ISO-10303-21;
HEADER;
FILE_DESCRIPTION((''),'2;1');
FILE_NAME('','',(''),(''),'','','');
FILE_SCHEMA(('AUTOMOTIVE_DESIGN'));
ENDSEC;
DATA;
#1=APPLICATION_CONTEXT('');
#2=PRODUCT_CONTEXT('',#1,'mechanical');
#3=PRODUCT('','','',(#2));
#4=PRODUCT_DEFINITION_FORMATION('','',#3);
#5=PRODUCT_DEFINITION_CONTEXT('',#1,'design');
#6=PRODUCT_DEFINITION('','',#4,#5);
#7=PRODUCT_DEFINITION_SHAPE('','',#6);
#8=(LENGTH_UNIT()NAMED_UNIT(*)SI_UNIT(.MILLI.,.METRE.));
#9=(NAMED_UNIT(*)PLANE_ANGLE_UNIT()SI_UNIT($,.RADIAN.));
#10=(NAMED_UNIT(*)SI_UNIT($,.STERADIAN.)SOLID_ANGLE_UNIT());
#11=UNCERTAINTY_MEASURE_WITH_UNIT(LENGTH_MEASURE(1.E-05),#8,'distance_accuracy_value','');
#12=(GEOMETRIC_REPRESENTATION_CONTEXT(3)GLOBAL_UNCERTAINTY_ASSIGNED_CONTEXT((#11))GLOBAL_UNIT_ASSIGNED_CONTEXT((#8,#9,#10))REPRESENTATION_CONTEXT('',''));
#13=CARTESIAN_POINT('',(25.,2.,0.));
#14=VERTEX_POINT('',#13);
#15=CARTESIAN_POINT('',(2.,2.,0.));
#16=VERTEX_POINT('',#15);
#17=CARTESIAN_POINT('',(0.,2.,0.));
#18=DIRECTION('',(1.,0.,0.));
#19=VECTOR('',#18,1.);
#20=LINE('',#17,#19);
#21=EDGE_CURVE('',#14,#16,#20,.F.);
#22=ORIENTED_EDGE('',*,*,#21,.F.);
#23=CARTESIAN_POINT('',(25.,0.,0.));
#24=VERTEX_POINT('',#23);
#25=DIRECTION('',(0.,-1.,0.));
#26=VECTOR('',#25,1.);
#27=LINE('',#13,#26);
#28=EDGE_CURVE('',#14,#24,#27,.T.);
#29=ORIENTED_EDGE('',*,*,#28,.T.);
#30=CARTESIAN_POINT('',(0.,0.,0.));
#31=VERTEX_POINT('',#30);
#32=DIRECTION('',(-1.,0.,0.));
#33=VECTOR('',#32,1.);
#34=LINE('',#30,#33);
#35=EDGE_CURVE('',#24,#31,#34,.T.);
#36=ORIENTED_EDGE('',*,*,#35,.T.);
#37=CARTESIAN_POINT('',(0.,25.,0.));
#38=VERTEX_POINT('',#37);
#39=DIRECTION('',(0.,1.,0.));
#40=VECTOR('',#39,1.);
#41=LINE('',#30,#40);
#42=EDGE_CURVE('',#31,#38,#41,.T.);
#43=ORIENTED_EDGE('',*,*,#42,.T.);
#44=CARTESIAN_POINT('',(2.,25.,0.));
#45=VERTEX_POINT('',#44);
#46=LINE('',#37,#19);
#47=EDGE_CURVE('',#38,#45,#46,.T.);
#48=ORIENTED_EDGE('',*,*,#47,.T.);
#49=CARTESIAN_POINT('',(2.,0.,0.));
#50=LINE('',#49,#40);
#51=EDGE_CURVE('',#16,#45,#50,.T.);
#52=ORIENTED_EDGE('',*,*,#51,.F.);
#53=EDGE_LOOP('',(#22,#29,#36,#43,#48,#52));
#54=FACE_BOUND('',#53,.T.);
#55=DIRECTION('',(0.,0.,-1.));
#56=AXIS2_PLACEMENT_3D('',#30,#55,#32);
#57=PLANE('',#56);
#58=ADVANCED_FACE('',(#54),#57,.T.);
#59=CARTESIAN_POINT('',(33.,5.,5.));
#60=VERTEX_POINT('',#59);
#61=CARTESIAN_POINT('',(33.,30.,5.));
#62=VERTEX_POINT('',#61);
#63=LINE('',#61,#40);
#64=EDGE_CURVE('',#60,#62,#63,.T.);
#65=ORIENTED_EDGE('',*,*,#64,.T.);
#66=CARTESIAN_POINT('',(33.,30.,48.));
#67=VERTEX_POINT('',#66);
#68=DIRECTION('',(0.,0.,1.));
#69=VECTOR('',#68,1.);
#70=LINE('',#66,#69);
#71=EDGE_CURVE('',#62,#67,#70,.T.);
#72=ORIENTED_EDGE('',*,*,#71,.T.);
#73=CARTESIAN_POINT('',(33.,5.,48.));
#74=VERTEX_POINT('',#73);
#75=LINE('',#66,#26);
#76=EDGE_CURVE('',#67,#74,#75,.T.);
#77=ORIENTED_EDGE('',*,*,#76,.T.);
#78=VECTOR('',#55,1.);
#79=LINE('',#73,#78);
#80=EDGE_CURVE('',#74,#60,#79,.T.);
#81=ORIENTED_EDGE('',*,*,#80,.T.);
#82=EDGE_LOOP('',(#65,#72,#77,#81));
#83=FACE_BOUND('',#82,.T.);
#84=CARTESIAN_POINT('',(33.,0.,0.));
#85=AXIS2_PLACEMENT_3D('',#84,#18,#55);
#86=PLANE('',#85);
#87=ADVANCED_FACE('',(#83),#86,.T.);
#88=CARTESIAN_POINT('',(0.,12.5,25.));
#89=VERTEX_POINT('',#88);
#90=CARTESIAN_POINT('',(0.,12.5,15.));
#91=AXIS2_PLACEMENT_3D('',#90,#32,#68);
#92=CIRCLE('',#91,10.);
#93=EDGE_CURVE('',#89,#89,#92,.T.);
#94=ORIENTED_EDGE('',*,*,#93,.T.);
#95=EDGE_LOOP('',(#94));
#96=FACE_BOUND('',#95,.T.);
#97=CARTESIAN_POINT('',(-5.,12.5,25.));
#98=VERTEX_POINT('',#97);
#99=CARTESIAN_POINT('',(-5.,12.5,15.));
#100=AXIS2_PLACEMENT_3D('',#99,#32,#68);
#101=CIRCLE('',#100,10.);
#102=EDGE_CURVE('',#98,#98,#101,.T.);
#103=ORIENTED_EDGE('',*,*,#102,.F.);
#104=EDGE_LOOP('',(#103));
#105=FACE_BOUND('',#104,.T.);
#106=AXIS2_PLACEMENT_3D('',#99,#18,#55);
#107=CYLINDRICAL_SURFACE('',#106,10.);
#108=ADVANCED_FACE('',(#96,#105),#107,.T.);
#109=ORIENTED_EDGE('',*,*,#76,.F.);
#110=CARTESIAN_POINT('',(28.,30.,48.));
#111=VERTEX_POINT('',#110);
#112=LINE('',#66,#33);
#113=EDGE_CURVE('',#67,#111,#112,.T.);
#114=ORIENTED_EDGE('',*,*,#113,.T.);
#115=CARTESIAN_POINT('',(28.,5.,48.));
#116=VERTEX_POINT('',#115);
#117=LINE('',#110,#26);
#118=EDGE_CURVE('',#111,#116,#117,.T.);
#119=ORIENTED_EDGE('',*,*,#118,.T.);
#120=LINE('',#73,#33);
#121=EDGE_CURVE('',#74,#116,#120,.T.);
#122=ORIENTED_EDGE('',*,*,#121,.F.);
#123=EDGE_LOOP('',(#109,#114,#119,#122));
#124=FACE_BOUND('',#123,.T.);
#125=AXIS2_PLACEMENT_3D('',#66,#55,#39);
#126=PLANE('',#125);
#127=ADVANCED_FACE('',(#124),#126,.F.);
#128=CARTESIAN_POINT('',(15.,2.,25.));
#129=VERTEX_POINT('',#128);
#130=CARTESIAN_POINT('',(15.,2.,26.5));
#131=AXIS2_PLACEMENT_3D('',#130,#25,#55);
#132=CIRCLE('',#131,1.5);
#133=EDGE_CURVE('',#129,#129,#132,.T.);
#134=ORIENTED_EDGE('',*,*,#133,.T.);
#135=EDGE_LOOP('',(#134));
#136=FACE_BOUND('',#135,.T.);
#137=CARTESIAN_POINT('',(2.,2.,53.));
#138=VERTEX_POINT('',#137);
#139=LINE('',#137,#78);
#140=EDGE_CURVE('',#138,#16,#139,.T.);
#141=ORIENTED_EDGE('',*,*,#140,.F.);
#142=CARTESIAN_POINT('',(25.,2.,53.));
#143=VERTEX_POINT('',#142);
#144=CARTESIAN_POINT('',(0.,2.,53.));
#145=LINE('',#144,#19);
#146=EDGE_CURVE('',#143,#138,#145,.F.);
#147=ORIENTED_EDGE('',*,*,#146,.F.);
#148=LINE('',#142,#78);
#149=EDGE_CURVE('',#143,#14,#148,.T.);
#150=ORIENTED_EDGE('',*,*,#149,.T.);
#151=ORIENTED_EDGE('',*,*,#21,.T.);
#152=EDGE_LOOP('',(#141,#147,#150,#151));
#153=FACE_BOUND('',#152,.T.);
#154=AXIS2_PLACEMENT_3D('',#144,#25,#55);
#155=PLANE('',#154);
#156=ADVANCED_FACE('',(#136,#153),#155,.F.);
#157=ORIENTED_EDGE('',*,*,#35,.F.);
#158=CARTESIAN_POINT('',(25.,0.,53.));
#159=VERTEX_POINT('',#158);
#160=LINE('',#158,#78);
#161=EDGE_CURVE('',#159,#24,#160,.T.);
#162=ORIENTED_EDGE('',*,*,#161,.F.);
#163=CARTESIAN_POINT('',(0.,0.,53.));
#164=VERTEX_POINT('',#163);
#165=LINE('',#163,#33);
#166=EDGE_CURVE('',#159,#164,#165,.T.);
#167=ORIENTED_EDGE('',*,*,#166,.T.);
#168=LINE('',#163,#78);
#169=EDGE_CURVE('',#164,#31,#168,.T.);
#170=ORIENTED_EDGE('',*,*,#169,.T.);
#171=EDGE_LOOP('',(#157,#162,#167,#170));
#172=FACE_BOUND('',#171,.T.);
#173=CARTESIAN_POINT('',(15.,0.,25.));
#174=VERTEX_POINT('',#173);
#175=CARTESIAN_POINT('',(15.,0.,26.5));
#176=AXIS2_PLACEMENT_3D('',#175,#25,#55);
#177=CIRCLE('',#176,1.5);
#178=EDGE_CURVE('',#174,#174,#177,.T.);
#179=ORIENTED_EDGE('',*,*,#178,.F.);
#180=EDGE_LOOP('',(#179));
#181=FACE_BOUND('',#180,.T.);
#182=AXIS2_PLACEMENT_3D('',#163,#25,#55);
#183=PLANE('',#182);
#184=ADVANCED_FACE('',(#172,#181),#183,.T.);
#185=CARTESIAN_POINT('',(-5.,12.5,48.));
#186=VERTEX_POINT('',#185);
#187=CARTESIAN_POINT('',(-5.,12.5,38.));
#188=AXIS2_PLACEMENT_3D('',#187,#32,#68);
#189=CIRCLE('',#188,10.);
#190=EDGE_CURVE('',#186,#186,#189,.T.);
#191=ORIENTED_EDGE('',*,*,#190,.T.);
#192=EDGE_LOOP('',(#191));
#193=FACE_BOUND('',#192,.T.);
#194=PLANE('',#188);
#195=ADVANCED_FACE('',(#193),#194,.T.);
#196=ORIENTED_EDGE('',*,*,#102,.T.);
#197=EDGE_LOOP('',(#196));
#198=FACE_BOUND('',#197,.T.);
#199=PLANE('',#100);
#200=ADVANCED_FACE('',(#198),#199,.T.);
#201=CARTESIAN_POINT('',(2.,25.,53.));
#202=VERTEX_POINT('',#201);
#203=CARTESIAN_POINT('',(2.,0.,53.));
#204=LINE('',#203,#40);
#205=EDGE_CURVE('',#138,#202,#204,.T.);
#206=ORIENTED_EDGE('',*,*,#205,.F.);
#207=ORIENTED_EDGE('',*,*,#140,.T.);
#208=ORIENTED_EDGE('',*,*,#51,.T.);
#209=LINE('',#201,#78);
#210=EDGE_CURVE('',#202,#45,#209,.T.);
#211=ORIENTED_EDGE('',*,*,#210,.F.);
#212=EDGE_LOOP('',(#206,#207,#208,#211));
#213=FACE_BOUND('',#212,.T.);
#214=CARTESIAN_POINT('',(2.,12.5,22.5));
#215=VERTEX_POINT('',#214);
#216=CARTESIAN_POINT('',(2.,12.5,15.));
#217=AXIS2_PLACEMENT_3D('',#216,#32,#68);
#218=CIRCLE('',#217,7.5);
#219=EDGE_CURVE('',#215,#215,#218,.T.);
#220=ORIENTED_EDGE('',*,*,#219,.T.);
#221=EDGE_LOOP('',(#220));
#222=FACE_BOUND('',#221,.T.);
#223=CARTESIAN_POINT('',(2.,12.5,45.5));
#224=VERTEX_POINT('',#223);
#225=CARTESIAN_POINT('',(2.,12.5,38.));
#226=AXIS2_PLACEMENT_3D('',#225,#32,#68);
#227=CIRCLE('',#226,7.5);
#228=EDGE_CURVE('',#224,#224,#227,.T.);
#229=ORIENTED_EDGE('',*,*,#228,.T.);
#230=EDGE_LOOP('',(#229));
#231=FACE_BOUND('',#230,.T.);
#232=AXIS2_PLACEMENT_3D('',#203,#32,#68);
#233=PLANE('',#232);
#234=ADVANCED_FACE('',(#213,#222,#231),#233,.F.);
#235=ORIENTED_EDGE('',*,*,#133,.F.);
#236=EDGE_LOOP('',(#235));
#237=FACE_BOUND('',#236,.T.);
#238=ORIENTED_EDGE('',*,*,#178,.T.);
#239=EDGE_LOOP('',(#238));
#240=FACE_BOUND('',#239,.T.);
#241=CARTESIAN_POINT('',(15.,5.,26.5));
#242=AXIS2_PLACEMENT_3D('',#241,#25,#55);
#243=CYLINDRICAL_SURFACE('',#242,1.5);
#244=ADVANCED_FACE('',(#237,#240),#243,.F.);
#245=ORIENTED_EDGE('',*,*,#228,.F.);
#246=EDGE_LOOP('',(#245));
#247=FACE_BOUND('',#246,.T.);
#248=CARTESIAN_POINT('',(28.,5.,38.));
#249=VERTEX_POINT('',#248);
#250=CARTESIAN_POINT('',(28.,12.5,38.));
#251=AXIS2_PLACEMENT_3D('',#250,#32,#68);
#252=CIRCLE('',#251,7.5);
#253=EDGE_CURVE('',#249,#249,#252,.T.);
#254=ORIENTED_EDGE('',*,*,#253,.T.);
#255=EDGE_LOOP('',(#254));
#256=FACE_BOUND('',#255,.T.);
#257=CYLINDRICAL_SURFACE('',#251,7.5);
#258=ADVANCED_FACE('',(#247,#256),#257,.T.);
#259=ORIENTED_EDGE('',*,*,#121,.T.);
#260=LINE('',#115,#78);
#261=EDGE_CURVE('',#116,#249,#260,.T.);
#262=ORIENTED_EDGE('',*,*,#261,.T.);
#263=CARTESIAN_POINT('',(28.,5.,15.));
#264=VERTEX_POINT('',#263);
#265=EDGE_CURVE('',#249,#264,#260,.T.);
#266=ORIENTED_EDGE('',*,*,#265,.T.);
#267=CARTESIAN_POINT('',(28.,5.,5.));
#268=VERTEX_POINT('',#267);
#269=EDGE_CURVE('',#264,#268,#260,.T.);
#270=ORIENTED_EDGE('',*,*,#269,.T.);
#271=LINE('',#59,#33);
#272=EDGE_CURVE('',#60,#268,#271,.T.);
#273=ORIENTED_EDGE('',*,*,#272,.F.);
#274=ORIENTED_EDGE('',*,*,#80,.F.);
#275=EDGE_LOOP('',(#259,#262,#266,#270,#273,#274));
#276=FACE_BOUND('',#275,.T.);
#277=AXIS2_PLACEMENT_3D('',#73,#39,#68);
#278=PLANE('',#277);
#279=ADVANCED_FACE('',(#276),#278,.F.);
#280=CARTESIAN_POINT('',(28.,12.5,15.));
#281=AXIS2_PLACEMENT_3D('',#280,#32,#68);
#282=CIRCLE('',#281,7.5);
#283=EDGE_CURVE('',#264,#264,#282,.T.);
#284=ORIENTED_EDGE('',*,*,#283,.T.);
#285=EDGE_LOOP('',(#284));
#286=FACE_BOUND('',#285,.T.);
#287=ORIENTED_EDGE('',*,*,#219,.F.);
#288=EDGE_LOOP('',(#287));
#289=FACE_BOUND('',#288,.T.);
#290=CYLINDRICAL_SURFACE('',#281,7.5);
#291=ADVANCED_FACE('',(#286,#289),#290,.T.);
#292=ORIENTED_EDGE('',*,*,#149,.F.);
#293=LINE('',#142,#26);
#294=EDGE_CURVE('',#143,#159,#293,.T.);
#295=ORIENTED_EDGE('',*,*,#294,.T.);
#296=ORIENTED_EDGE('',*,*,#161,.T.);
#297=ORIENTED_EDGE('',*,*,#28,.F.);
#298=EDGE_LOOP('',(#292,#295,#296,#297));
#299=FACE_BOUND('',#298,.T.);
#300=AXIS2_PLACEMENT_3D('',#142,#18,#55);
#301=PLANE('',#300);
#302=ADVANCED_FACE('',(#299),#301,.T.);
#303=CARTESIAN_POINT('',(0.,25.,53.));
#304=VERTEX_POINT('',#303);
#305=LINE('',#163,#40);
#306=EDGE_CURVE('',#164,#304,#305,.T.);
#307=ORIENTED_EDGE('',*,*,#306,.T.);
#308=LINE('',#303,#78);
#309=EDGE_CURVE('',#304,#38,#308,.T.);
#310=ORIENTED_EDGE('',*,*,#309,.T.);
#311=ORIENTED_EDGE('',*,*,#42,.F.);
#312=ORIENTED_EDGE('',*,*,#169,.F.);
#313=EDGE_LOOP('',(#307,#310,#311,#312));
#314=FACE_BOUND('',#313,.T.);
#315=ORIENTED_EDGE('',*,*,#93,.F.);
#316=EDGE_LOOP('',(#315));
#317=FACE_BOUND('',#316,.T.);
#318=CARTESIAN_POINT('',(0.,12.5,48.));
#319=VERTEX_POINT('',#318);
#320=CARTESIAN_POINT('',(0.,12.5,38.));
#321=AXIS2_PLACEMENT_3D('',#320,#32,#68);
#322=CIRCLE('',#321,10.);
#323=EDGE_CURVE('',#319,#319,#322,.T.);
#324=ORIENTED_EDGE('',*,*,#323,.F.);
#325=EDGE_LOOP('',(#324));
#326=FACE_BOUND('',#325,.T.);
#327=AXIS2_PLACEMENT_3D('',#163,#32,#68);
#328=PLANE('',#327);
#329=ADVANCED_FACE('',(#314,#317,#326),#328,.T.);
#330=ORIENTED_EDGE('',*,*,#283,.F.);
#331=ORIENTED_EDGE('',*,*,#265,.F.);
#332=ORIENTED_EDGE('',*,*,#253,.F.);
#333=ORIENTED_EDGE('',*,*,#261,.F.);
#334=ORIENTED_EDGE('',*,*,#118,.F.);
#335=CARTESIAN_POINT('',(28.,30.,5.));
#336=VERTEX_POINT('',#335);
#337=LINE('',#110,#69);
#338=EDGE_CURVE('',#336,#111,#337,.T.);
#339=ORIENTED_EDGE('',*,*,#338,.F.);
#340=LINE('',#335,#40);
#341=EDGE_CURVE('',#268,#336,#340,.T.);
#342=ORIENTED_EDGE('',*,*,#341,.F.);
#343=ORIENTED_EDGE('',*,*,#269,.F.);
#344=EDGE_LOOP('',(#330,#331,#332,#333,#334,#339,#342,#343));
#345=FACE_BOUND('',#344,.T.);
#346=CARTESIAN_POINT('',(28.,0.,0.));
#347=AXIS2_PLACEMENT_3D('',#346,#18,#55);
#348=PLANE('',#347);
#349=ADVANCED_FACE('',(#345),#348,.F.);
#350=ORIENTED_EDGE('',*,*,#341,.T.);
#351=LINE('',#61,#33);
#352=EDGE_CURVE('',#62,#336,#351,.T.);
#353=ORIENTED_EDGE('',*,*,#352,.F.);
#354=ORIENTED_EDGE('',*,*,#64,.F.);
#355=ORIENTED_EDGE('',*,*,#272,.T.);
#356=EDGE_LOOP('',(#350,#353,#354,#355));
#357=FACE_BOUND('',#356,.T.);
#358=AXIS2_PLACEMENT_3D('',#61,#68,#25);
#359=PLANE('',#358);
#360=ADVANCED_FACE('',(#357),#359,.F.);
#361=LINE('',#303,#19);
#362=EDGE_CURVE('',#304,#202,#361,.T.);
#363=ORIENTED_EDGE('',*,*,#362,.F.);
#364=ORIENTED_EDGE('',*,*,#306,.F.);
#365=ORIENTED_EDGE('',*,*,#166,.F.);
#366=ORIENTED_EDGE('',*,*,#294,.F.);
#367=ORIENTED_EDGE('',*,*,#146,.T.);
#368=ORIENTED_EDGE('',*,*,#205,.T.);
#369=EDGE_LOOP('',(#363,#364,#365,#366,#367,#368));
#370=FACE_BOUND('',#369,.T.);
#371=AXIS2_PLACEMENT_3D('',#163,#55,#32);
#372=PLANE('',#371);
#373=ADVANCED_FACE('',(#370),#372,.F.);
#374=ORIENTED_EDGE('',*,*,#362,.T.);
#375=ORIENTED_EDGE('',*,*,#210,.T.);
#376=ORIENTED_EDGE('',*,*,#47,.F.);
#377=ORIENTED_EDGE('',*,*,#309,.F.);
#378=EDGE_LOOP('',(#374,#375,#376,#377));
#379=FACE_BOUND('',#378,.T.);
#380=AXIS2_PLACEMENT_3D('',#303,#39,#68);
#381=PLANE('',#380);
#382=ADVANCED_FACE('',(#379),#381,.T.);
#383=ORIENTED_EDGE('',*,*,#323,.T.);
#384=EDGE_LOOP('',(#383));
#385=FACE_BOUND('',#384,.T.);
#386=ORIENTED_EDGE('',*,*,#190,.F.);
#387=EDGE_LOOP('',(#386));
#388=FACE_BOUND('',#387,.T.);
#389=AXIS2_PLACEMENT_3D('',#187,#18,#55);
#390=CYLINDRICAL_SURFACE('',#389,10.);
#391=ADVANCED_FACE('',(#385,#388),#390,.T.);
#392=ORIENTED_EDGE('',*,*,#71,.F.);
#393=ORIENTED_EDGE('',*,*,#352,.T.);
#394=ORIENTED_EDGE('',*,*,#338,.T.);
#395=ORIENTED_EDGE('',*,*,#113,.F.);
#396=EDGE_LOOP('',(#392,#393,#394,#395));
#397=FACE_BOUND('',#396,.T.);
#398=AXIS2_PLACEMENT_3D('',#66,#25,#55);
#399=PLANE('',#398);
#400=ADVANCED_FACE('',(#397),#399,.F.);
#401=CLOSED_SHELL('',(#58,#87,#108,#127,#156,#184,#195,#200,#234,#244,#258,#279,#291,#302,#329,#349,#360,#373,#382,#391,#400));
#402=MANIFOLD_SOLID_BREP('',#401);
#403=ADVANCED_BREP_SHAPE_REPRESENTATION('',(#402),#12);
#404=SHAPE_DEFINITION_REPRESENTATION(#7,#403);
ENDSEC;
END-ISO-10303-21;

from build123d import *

# Parameters (mm, degrees)
EXTRUDE_THIN1_DEPTH = 53
SKETCH2_R           = 10
BOSS_EXTRUDE1_DEPTH = 5
SKETCH4_R           = 7.5
BOSS_EXTRUDE2_DEPTH = 33
SKETCH5_W           = 43
SKETCH5_H           = 25
BOSS_EXTRUDE3_DEPTH = 5
SKETCH6_R           = 1.5
CUT_EXTRUDE1_DEPTH  = 5


with BuildPart() as part:
    # Sketch1 → Extrude-Thin1 (new body)
    with BuildSketch(Plane.XY):
        Polygon((0, 25), (0, 0), (25, 0), (25, 2), (2, 2), (2, 25), align=None)
    extrude(amount=EXTRUDE_THIN1_DEPTH)

    # Sketch2 → Boss-Extrude1 (add)
    with BuildSketch(Plane.ZY):
        with Locations((15, 12.5)):
            Circle(SKETCH2_R)
        with Locations((38, 12.5)):
            Circle(SKETCH2_R)
    extrude(amount=BOSS_EXTRUDE1_DEPTH)

    # Sketch4 → Boss-Extrude2 (add)
    with BuildSketch(Plane.ZY.offset(5)):
        with Locations((38, 12.5)):
            Circle(SKETCH4_R)
        with Locations((15, 12.5)):
            Circle(SKETCH4_R)
    extrude(amount=-BOSS_EXTRUDE2_DEPTH)

    # Sketch5 → Boss-Extrude3 (add)
    with BuildSketch(Plane(origin=(28, 0, 0), x_dir=(0, 0, -1), z_dir=(1, 0, 0))):
        with Locations((-26.5, 17.5)):
            Rectangle(SKETCH5_W, SKETCH5_H)
    extrude(amount=BOSS_EXTRUDE3_DEPTH)

    # Sketch6 → Cut-Extrude1 (cut)
    with BuildSketch(Plane.XZ):
        with Locations(Location((15, 26.5, 0), (0, 0, 270))):
            Circle(SKETCH6_R)
    extrude(amount=-CUT_EXTRUDE1_DEPTH, mode=Mode.SUBTRACT)


solid = part.part
